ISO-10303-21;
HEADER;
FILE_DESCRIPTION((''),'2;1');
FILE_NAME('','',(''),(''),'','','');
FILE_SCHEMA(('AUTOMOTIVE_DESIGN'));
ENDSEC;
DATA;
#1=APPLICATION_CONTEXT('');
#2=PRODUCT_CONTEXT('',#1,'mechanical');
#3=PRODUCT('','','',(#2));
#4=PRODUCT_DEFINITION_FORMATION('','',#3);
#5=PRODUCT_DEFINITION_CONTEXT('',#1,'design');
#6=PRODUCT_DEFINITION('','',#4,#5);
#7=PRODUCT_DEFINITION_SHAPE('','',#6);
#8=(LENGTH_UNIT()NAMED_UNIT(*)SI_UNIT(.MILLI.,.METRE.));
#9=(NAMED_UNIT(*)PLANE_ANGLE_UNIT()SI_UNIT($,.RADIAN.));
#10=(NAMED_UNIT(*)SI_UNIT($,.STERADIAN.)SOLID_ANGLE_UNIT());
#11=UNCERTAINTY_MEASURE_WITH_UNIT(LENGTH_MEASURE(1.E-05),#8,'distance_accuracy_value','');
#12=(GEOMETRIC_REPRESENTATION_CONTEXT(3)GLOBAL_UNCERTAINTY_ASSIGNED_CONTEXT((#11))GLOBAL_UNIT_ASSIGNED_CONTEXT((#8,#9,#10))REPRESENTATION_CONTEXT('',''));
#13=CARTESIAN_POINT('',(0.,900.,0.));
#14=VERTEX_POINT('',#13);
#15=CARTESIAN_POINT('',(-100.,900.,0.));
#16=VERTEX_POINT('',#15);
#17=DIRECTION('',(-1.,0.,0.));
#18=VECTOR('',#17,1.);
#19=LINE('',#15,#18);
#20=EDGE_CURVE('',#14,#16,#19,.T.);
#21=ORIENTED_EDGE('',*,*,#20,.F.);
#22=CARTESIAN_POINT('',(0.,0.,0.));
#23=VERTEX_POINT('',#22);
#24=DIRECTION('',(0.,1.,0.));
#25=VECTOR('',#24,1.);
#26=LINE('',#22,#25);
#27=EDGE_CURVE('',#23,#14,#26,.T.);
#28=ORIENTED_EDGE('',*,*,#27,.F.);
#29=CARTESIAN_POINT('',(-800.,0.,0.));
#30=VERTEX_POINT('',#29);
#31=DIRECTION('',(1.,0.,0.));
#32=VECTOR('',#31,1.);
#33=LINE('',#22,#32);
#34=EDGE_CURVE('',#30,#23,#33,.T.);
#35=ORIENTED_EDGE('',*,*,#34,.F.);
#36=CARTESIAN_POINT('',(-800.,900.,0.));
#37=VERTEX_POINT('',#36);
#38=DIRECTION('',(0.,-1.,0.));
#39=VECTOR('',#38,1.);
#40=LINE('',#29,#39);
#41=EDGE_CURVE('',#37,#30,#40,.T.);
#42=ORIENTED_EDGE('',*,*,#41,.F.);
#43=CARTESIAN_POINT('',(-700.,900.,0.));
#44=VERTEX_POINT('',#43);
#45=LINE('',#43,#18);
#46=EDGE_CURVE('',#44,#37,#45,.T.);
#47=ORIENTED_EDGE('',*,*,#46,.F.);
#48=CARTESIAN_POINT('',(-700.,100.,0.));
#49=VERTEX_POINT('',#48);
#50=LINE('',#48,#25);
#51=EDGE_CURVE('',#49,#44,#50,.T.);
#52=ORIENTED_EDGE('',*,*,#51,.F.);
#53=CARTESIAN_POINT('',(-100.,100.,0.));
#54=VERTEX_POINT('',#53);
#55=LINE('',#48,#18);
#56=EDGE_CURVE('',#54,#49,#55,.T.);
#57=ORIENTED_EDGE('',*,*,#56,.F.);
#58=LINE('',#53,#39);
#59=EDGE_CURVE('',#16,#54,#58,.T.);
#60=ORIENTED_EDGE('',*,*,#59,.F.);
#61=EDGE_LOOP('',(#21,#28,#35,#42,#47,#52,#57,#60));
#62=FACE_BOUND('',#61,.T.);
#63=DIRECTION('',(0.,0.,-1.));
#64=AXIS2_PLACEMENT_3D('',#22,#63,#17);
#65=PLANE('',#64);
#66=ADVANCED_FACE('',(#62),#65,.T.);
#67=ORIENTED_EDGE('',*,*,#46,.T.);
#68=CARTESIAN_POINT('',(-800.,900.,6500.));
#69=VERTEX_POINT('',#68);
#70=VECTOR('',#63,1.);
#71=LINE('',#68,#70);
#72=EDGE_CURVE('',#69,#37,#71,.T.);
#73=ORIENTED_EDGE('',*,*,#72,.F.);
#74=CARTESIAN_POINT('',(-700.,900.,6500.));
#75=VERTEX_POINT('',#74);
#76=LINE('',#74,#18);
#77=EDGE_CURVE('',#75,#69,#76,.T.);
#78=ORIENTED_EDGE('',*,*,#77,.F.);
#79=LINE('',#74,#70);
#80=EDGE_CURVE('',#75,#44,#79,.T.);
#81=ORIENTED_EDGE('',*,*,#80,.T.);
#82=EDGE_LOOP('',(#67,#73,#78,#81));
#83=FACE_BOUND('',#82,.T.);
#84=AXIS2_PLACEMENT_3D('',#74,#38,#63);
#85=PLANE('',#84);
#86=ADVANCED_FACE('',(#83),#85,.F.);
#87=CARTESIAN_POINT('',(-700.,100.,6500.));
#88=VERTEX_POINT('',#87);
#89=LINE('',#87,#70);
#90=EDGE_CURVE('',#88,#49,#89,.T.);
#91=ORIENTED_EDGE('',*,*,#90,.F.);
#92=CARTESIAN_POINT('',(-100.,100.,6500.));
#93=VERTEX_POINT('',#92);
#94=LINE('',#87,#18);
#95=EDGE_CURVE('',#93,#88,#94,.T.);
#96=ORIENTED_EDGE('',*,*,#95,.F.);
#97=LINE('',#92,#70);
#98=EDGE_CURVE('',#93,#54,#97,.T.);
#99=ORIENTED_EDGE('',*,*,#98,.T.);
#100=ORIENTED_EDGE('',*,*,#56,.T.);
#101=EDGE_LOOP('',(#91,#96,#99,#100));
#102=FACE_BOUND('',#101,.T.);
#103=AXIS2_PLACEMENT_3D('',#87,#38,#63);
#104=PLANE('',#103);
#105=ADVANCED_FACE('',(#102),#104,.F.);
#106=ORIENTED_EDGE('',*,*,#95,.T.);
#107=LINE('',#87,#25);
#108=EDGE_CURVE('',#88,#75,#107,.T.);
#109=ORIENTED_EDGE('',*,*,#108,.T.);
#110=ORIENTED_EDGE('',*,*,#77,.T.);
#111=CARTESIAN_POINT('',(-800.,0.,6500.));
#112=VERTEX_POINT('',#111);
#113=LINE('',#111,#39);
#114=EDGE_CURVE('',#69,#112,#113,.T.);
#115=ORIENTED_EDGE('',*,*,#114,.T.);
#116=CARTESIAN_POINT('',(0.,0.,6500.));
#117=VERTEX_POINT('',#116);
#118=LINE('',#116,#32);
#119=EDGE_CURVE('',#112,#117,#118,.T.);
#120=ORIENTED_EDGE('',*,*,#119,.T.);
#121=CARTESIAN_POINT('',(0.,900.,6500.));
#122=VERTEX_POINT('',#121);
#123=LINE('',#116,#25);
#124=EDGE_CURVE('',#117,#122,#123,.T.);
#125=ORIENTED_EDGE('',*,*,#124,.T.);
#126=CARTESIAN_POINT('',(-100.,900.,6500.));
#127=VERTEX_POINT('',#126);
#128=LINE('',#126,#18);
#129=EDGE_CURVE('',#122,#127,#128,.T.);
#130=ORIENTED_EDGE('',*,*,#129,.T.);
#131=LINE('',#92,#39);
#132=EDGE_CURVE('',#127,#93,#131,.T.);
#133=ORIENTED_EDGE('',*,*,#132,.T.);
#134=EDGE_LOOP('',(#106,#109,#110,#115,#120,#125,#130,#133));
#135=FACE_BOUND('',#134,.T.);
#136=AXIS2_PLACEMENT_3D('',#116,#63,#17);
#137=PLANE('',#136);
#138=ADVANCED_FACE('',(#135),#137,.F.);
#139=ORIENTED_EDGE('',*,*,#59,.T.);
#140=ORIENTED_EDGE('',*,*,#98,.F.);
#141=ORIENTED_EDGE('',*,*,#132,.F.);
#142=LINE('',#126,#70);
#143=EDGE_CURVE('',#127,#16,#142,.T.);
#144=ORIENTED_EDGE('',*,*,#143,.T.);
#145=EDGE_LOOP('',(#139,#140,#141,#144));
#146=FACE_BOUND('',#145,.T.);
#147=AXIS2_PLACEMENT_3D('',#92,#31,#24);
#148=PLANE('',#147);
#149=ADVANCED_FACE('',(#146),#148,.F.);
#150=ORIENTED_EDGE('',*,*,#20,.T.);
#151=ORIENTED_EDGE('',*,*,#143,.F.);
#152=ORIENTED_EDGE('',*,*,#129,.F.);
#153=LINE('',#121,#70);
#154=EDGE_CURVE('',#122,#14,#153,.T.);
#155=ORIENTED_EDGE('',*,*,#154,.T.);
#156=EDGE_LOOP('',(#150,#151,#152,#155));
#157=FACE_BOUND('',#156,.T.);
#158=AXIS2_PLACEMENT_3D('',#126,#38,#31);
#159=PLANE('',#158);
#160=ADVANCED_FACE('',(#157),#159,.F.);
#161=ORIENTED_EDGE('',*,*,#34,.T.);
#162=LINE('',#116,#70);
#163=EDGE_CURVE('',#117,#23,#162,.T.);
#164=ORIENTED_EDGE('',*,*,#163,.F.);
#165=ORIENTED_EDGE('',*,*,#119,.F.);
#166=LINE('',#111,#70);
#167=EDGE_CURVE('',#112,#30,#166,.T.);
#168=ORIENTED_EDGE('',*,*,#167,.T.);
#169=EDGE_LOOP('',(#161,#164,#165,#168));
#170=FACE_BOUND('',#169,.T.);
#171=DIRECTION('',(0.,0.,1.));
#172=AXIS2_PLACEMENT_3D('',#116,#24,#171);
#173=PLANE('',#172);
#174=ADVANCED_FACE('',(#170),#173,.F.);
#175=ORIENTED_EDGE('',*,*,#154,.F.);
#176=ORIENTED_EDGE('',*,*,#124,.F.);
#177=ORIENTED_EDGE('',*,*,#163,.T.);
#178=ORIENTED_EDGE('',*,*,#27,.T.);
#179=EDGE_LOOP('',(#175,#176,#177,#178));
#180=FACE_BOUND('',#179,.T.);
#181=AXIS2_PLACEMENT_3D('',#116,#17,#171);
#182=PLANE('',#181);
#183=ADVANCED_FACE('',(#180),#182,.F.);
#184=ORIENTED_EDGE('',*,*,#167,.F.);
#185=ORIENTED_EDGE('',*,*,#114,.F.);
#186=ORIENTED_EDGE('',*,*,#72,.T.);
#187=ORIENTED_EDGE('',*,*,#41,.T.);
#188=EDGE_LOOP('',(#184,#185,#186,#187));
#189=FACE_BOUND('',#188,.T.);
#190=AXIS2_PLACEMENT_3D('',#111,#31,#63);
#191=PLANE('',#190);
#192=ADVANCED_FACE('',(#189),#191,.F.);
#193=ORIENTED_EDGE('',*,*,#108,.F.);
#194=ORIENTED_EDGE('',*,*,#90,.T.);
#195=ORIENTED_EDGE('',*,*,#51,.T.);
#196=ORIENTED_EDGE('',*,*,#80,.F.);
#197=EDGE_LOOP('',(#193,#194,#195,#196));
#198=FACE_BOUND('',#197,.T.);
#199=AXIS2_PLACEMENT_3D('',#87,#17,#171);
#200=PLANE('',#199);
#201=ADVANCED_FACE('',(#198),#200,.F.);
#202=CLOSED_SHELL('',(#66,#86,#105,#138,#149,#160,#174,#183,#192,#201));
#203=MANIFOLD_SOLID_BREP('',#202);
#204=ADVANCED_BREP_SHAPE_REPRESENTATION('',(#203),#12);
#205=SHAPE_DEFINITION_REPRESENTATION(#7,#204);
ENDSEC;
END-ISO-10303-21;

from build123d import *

# Parameters (mm, degrees)
SALIENTE_EXTRUIR1_DEPTH = 6500


with BuildPart() as part:
    # Croquis1 → Saliente-Extruir1 (new body)
    with BuildSketch(Plane.XY):
        Polygon((0, 0), (-800, 0), (-800, 900), (-700, 900), (-700, 100), (-100, 100), (-100, 900), (0, 900), align=None)
    extrude(amount=SALIENTE_EXTRUIR1_DEPTH)


solid = part.part
